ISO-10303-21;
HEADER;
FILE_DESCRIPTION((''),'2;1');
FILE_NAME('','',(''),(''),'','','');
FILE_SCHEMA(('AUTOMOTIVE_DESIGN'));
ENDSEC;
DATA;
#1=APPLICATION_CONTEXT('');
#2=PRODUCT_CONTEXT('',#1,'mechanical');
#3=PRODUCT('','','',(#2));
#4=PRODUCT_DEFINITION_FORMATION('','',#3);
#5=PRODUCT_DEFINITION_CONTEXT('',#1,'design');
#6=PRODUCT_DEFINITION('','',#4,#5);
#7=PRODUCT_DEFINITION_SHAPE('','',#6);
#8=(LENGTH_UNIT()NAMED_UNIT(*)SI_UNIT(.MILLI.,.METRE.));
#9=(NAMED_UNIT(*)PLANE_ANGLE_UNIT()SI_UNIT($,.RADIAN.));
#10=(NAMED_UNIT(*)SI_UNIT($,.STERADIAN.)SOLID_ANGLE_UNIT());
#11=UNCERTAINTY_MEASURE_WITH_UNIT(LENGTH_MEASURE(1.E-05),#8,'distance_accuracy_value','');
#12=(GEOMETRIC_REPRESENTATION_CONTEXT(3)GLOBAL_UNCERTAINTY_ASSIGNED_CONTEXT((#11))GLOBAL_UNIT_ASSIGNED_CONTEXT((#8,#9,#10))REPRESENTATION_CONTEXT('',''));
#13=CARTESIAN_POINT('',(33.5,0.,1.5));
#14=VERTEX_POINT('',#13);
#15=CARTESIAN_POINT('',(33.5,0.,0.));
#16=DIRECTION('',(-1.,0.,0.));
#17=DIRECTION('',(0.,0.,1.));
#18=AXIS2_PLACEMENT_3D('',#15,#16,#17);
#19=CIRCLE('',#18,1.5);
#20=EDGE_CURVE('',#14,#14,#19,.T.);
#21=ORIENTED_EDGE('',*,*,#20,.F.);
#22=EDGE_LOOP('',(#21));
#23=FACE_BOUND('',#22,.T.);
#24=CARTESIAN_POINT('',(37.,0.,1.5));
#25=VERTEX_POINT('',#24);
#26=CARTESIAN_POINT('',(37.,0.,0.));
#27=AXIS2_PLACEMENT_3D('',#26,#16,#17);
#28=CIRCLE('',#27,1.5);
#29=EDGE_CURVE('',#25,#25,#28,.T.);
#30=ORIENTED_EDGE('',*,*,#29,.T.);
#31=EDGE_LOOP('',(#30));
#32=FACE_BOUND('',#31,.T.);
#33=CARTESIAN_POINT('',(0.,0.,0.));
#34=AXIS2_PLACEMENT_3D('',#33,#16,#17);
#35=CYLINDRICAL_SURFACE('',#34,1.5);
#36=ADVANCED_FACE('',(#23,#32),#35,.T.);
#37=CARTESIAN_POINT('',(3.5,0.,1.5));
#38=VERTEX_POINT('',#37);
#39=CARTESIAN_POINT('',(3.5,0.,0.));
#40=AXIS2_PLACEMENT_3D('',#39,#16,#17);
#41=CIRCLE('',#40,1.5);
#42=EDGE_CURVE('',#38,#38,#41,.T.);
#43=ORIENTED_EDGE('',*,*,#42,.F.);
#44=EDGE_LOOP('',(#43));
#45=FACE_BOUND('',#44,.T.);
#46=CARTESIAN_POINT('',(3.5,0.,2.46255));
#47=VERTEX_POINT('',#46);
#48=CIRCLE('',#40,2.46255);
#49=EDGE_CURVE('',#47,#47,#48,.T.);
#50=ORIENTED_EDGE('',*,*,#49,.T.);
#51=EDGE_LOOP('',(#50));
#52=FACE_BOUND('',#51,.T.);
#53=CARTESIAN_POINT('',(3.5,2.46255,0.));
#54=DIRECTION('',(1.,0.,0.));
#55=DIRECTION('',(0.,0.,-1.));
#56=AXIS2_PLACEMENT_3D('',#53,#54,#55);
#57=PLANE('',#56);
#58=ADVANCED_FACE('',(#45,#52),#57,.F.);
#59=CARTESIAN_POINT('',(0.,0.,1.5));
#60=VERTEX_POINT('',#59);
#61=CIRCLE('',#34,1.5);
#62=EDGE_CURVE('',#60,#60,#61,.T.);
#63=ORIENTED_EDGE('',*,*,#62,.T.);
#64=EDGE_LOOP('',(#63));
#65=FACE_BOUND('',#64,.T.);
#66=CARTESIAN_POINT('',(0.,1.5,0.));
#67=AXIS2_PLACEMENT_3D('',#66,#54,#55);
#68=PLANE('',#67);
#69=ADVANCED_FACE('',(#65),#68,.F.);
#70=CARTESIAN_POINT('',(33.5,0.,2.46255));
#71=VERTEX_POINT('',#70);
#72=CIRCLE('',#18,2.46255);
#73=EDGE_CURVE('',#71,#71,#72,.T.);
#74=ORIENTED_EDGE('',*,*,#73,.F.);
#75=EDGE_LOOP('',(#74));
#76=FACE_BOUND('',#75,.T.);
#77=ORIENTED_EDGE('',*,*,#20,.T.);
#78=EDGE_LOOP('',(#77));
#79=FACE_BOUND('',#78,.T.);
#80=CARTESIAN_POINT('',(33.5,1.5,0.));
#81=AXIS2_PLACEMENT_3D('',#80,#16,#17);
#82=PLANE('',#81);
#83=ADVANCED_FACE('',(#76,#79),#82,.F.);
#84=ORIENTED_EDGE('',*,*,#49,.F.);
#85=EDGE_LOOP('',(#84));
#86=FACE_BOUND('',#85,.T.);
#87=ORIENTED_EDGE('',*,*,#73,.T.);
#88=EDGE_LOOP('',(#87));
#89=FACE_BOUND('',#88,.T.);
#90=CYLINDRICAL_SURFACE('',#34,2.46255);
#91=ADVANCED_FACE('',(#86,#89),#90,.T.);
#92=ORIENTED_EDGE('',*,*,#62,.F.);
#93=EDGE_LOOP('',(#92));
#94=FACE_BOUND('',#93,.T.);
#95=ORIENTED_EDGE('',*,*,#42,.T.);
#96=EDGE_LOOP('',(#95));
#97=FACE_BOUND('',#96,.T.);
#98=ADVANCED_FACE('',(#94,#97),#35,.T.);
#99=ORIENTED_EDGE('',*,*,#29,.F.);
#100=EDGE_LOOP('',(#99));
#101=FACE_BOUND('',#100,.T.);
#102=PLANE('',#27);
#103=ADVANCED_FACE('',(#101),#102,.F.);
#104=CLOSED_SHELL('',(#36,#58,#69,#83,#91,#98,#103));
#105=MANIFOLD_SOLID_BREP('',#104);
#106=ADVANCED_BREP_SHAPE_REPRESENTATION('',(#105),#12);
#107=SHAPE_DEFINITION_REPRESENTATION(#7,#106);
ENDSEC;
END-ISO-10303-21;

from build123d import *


with BuildPart() as part:
    # Sketch1 → Revolve1 (revolve)
    with BuildSketch(Plane.XY, mode=Mode.PRIVATE) as revolve1_sk:
        Polygon((0, 0), (30, 0), (37, 0), (37, 1.5), (33.5, 1.5), (33.5, 2.462549686), (3.5, 2.462549686), (3.5, 1.5), (0, 1.5), align=None)
    revolve(revolve1_sk.sketch.rotate(Axis((0, 0, 0), (1, 0, 0)), 90), axis=Axis((0, 0, 0), (1, 0, 0)))


solid = part.part
